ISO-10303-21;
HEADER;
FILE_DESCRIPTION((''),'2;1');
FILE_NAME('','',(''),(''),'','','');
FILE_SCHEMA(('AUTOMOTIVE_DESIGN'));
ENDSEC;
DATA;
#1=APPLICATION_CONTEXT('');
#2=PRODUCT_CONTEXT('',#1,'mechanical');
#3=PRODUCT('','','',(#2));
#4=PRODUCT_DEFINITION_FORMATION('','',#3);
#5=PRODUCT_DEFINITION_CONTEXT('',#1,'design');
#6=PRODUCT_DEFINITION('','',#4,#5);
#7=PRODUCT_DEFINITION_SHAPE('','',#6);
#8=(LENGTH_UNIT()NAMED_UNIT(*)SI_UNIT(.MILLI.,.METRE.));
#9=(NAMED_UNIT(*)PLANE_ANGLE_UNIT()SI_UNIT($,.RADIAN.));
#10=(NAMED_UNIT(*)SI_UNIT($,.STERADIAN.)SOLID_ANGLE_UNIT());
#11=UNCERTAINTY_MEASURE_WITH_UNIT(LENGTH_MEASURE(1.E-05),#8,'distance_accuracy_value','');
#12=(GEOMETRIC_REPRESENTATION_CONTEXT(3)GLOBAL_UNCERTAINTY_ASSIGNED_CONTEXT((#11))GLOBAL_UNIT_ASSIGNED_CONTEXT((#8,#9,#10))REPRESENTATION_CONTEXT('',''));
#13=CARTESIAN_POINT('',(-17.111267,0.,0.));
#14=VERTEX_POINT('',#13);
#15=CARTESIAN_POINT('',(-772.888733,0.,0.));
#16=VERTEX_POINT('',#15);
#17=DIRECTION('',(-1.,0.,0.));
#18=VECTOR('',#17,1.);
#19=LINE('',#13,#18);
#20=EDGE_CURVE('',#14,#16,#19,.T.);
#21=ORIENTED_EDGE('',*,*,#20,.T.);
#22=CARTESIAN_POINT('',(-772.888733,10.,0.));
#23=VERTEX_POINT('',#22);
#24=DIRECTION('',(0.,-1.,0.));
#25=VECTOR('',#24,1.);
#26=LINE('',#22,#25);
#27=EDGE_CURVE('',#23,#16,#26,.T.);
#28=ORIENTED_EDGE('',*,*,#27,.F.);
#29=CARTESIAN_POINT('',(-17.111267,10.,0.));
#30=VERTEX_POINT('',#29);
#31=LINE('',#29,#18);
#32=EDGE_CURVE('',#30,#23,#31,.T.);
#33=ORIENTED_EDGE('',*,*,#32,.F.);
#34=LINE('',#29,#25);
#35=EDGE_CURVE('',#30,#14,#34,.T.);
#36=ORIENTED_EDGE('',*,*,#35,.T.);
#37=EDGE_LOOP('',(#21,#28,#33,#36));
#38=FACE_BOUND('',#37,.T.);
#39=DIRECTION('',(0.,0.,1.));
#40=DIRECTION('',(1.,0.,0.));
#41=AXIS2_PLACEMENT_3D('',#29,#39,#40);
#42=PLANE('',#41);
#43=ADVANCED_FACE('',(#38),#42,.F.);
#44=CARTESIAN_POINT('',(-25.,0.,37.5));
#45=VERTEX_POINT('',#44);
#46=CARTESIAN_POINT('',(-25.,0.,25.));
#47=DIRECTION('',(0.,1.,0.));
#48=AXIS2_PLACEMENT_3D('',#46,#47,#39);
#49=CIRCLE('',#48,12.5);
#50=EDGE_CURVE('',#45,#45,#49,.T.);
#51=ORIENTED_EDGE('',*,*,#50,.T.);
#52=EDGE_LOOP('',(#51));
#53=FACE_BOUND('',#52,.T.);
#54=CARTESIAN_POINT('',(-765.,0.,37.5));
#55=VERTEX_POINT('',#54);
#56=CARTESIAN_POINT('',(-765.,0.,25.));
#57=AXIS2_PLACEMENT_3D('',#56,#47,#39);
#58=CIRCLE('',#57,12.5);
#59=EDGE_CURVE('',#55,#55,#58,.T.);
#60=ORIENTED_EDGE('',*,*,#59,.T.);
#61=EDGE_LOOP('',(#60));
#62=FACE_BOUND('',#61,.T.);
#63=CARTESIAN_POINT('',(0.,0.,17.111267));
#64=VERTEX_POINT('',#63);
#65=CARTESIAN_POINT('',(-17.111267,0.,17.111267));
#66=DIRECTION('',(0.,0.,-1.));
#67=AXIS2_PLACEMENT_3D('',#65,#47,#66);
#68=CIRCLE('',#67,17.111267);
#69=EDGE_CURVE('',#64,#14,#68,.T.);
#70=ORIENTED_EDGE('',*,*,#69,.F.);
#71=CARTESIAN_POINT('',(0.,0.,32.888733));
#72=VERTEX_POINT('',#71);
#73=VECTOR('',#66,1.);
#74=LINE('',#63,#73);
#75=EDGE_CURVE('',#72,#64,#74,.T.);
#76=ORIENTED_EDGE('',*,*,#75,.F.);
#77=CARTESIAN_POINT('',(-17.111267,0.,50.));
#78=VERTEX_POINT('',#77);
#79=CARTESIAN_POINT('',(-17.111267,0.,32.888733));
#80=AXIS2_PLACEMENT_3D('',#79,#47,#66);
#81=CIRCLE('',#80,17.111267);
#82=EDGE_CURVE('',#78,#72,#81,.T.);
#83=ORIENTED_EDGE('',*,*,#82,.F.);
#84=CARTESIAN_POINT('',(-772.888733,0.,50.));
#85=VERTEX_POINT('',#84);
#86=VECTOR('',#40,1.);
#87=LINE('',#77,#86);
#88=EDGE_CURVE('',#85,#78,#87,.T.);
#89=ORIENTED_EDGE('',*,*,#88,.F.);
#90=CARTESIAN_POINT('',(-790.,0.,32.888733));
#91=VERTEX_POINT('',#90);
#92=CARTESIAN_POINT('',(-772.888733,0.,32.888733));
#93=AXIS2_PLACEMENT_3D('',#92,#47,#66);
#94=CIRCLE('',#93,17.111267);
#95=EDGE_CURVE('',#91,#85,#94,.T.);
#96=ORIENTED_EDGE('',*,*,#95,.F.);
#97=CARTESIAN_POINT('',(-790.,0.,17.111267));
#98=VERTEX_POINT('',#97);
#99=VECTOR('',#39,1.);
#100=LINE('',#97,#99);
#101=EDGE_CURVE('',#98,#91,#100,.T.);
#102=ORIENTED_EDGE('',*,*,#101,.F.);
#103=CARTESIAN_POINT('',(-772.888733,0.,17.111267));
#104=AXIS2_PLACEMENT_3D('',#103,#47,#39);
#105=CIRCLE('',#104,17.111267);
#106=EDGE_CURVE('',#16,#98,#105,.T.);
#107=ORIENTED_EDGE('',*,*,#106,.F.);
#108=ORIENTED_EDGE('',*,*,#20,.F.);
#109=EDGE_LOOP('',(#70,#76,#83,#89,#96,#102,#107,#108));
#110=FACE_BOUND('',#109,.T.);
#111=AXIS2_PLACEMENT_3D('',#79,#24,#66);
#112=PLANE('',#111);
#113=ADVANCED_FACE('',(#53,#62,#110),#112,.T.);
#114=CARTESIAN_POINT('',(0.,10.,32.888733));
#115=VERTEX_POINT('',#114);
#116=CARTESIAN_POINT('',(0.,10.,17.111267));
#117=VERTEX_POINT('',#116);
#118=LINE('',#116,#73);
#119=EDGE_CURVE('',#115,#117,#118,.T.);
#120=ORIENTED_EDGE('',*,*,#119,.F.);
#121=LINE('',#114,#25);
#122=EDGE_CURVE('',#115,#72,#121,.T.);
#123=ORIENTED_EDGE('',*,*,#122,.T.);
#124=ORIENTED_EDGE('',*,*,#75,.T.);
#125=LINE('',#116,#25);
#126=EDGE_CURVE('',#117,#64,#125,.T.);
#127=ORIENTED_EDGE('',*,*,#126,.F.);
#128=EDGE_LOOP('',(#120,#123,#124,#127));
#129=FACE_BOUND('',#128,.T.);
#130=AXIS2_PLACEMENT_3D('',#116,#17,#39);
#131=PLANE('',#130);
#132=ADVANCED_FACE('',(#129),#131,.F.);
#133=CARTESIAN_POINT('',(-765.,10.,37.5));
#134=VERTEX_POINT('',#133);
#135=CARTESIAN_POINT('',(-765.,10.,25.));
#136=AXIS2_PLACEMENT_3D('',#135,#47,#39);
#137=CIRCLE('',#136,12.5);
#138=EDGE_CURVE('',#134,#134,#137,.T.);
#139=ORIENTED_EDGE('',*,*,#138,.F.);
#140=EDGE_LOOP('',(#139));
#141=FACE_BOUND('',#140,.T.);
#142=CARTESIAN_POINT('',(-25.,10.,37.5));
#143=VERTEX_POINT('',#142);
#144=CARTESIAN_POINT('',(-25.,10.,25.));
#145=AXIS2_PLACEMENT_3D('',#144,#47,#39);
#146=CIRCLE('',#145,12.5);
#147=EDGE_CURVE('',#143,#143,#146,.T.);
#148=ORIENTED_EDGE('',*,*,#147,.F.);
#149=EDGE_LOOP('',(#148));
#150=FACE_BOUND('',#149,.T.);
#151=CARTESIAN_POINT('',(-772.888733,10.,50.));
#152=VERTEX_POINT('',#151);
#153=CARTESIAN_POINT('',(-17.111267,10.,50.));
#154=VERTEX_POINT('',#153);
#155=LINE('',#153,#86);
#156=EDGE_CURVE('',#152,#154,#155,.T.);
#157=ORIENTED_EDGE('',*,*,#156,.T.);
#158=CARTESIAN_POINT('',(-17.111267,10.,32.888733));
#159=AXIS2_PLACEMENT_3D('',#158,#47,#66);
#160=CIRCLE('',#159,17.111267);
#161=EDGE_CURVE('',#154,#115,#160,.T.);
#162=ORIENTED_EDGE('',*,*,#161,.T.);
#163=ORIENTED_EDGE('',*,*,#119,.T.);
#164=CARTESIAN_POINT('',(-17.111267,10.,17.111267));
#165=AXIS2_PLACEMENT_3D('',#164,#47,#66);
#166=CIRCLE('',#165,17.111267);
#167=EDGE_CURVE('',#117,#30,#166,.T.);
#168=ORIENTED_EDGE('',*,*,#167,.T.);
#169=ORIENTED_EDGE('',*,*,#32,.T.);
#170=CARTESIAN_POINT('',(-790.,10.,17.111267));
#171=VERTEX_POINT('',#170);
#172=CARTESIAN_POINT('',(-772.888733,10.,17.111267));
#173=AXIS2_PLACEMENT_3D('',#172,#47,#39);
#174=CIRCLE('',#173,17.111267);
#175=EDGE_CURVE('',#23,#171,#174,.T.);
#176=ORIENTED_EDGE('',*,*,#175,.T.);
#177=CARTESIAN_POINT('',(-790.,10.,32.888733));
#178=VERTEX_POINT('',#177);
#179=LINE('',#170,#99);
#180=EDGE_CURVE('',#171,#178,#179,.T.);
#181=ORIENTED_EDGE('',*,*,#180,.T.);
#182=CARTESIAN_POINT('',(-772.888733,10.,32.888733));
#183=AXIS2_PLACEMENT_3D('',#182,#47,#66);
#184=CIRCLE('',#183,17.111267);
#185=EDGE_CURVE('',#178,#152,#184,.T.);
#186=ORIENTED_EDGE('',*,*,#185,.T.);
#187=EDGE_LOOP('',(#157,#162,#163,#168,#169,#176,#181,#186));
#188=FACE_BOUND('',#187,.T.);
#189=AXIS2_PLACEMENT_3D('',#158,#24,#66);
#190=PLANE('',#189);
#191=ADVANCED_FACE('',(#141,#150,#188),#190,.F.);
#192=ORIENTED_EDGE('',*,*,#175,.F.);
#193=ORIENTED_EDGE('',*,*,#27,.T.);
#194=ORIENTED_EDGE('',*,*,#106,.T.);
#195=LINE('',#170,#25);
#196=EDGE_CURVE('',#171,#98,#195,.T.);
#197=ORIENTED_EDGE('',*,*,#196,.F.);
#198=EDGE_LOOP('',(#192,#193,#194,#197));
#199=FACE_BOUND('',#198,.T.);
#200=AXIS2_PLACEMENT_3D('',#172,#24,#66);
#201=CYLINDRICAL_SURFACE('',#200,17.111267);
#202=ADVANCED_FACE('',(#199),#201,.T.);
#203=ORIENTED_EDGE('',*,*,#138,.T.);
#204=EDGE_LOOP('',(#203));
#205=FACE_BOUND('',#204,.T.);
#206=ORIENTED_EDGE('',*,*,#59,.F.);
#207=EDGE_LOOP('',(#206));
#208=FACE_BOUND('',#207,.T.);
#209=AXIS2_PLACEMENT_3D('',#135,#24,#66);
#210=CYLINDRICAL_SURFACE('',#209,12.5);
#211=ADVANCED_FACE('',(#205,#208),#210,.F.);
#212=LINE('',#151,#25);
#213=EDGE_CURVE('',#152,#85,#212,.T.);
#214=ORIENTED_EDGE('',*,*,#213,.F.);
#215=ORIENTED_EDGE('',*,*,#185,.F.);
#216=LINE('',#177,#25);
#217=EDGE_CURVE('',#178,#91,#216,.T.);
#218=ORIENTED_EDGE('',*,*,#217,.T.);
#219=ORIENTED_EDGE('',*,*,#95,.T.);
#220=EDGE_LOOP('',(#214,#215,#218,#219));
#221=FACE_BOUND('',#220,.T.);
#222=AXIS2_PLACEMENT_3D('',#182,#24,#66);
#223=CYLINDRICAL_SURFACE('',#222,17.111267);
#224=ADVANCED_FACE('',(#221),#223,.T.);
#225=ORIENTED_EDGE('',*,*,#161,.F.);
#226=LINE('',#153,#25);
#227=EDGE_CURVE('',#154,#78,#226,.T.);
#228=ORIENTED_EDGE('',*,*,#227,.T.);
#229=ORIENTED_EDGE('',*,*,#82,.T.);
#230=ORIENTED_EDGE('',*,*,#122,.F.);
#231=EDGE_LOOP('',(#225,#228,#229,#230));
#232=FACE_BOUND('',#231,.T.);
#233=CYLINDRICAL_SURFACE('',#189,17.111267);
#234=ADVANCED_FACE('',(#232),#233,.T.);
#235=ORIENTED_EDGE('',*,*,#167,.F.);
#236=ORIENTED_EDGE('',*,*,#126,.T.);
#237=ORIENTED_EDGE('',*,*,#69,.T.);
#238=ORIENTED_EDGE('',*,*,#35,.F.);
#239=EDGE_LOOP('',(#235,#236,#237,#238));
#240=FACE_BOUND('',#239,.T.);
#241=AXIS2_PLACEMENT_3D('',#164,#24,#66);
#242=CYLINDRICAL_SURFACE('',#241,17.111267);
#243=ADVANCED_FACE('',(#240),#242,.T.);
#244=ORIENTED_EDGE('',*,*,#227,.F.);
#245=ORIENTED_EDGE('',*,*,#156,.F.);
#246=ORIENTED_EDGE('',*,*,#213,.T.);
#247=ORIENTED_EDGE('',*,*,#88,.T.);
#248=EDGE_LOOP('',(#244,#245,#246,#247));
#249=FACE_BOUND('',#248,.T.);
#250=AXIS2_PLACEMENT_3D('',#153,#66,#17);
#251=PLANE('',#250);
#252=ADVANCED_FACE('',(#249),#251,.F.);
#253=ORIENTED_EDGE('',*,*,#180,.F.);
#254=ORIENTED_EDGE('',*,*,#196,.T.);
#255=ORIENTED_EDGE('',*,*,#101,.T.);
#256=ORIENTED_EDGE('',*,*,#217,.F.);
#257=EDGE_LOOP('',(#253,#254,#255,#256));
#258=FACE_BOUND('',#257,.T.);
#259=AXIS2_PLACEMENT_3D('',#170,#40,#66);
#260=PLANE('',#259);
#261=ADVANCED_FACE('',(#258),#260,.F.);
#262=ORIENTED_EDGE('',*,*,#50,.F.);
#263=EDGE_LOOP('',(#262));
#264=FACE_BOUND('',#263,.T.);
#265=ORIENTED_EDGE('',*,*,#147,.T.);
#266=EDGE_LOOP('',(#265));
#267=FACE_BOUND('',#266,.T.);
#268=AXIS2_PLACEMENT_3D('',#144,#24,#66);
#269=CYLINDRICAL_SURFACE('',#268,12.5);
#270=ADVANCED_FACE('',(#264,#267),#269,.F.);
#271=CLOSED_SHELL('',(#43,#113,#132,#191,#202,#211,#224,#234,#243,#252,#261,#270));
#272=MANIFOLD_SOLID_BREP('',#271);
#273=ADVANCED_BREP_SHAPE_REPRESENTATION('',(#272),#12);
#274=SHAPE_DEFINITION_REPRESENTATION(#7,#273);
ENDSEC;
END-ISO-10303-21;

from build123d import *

# Parameters (mm, degrees)
SKETCH1_R           = 12.5
BOSS_EXTRUDE1_DEPTH = 10


with BuildPart() as part:
    # Sketch1 → Boss-Extrude1 (new body)
    with BuildSketch(Plane(origin=(0, 0, 0), x_dir=(1, 0, 0), z_dir=(0, 1, 0))):
        with BuildLine():
            Line((-17.11126668, 0), (-772.88873332, 0))
            ThreePointArc((-772.88873332, 0), (-784.988226024, -5.011773976), (-790, -17.11126668))
            Line((-790, -17.11126668), (-790, -32.88873332))
            ThreePointArc((-790, -32.88873332), (-784.988226024, -44.988226024), (-772.88873332, -50))
            Line((-772.88873332, -50), (-17.11126668, -50))
            ThreePointArc((-17.11126668, -50), (-5.011773976, -44.988226024), (0, -32.88873332))
            Line((0, -32.88873332), (0, -17.11126668))
            ThreePointArc((0, -17.11126668), (-5.011773976, -5.011773976), (-17.11126668, 0))
        make_face()
        with Locations(Location((-765, -25, 0), (0, 0, 270))):
            Circle(SKETCH1_R, mode=Mode.SUBTRACT)
        with Locations(Location((-25, -25, 0), (0, 0, 270))):
            Circle(SKETCH1_R, mode=Mode.SUBTRACT)
    extrude(amount=BOSS_EXTRUDE1_DEPTH)


solid = part.part
